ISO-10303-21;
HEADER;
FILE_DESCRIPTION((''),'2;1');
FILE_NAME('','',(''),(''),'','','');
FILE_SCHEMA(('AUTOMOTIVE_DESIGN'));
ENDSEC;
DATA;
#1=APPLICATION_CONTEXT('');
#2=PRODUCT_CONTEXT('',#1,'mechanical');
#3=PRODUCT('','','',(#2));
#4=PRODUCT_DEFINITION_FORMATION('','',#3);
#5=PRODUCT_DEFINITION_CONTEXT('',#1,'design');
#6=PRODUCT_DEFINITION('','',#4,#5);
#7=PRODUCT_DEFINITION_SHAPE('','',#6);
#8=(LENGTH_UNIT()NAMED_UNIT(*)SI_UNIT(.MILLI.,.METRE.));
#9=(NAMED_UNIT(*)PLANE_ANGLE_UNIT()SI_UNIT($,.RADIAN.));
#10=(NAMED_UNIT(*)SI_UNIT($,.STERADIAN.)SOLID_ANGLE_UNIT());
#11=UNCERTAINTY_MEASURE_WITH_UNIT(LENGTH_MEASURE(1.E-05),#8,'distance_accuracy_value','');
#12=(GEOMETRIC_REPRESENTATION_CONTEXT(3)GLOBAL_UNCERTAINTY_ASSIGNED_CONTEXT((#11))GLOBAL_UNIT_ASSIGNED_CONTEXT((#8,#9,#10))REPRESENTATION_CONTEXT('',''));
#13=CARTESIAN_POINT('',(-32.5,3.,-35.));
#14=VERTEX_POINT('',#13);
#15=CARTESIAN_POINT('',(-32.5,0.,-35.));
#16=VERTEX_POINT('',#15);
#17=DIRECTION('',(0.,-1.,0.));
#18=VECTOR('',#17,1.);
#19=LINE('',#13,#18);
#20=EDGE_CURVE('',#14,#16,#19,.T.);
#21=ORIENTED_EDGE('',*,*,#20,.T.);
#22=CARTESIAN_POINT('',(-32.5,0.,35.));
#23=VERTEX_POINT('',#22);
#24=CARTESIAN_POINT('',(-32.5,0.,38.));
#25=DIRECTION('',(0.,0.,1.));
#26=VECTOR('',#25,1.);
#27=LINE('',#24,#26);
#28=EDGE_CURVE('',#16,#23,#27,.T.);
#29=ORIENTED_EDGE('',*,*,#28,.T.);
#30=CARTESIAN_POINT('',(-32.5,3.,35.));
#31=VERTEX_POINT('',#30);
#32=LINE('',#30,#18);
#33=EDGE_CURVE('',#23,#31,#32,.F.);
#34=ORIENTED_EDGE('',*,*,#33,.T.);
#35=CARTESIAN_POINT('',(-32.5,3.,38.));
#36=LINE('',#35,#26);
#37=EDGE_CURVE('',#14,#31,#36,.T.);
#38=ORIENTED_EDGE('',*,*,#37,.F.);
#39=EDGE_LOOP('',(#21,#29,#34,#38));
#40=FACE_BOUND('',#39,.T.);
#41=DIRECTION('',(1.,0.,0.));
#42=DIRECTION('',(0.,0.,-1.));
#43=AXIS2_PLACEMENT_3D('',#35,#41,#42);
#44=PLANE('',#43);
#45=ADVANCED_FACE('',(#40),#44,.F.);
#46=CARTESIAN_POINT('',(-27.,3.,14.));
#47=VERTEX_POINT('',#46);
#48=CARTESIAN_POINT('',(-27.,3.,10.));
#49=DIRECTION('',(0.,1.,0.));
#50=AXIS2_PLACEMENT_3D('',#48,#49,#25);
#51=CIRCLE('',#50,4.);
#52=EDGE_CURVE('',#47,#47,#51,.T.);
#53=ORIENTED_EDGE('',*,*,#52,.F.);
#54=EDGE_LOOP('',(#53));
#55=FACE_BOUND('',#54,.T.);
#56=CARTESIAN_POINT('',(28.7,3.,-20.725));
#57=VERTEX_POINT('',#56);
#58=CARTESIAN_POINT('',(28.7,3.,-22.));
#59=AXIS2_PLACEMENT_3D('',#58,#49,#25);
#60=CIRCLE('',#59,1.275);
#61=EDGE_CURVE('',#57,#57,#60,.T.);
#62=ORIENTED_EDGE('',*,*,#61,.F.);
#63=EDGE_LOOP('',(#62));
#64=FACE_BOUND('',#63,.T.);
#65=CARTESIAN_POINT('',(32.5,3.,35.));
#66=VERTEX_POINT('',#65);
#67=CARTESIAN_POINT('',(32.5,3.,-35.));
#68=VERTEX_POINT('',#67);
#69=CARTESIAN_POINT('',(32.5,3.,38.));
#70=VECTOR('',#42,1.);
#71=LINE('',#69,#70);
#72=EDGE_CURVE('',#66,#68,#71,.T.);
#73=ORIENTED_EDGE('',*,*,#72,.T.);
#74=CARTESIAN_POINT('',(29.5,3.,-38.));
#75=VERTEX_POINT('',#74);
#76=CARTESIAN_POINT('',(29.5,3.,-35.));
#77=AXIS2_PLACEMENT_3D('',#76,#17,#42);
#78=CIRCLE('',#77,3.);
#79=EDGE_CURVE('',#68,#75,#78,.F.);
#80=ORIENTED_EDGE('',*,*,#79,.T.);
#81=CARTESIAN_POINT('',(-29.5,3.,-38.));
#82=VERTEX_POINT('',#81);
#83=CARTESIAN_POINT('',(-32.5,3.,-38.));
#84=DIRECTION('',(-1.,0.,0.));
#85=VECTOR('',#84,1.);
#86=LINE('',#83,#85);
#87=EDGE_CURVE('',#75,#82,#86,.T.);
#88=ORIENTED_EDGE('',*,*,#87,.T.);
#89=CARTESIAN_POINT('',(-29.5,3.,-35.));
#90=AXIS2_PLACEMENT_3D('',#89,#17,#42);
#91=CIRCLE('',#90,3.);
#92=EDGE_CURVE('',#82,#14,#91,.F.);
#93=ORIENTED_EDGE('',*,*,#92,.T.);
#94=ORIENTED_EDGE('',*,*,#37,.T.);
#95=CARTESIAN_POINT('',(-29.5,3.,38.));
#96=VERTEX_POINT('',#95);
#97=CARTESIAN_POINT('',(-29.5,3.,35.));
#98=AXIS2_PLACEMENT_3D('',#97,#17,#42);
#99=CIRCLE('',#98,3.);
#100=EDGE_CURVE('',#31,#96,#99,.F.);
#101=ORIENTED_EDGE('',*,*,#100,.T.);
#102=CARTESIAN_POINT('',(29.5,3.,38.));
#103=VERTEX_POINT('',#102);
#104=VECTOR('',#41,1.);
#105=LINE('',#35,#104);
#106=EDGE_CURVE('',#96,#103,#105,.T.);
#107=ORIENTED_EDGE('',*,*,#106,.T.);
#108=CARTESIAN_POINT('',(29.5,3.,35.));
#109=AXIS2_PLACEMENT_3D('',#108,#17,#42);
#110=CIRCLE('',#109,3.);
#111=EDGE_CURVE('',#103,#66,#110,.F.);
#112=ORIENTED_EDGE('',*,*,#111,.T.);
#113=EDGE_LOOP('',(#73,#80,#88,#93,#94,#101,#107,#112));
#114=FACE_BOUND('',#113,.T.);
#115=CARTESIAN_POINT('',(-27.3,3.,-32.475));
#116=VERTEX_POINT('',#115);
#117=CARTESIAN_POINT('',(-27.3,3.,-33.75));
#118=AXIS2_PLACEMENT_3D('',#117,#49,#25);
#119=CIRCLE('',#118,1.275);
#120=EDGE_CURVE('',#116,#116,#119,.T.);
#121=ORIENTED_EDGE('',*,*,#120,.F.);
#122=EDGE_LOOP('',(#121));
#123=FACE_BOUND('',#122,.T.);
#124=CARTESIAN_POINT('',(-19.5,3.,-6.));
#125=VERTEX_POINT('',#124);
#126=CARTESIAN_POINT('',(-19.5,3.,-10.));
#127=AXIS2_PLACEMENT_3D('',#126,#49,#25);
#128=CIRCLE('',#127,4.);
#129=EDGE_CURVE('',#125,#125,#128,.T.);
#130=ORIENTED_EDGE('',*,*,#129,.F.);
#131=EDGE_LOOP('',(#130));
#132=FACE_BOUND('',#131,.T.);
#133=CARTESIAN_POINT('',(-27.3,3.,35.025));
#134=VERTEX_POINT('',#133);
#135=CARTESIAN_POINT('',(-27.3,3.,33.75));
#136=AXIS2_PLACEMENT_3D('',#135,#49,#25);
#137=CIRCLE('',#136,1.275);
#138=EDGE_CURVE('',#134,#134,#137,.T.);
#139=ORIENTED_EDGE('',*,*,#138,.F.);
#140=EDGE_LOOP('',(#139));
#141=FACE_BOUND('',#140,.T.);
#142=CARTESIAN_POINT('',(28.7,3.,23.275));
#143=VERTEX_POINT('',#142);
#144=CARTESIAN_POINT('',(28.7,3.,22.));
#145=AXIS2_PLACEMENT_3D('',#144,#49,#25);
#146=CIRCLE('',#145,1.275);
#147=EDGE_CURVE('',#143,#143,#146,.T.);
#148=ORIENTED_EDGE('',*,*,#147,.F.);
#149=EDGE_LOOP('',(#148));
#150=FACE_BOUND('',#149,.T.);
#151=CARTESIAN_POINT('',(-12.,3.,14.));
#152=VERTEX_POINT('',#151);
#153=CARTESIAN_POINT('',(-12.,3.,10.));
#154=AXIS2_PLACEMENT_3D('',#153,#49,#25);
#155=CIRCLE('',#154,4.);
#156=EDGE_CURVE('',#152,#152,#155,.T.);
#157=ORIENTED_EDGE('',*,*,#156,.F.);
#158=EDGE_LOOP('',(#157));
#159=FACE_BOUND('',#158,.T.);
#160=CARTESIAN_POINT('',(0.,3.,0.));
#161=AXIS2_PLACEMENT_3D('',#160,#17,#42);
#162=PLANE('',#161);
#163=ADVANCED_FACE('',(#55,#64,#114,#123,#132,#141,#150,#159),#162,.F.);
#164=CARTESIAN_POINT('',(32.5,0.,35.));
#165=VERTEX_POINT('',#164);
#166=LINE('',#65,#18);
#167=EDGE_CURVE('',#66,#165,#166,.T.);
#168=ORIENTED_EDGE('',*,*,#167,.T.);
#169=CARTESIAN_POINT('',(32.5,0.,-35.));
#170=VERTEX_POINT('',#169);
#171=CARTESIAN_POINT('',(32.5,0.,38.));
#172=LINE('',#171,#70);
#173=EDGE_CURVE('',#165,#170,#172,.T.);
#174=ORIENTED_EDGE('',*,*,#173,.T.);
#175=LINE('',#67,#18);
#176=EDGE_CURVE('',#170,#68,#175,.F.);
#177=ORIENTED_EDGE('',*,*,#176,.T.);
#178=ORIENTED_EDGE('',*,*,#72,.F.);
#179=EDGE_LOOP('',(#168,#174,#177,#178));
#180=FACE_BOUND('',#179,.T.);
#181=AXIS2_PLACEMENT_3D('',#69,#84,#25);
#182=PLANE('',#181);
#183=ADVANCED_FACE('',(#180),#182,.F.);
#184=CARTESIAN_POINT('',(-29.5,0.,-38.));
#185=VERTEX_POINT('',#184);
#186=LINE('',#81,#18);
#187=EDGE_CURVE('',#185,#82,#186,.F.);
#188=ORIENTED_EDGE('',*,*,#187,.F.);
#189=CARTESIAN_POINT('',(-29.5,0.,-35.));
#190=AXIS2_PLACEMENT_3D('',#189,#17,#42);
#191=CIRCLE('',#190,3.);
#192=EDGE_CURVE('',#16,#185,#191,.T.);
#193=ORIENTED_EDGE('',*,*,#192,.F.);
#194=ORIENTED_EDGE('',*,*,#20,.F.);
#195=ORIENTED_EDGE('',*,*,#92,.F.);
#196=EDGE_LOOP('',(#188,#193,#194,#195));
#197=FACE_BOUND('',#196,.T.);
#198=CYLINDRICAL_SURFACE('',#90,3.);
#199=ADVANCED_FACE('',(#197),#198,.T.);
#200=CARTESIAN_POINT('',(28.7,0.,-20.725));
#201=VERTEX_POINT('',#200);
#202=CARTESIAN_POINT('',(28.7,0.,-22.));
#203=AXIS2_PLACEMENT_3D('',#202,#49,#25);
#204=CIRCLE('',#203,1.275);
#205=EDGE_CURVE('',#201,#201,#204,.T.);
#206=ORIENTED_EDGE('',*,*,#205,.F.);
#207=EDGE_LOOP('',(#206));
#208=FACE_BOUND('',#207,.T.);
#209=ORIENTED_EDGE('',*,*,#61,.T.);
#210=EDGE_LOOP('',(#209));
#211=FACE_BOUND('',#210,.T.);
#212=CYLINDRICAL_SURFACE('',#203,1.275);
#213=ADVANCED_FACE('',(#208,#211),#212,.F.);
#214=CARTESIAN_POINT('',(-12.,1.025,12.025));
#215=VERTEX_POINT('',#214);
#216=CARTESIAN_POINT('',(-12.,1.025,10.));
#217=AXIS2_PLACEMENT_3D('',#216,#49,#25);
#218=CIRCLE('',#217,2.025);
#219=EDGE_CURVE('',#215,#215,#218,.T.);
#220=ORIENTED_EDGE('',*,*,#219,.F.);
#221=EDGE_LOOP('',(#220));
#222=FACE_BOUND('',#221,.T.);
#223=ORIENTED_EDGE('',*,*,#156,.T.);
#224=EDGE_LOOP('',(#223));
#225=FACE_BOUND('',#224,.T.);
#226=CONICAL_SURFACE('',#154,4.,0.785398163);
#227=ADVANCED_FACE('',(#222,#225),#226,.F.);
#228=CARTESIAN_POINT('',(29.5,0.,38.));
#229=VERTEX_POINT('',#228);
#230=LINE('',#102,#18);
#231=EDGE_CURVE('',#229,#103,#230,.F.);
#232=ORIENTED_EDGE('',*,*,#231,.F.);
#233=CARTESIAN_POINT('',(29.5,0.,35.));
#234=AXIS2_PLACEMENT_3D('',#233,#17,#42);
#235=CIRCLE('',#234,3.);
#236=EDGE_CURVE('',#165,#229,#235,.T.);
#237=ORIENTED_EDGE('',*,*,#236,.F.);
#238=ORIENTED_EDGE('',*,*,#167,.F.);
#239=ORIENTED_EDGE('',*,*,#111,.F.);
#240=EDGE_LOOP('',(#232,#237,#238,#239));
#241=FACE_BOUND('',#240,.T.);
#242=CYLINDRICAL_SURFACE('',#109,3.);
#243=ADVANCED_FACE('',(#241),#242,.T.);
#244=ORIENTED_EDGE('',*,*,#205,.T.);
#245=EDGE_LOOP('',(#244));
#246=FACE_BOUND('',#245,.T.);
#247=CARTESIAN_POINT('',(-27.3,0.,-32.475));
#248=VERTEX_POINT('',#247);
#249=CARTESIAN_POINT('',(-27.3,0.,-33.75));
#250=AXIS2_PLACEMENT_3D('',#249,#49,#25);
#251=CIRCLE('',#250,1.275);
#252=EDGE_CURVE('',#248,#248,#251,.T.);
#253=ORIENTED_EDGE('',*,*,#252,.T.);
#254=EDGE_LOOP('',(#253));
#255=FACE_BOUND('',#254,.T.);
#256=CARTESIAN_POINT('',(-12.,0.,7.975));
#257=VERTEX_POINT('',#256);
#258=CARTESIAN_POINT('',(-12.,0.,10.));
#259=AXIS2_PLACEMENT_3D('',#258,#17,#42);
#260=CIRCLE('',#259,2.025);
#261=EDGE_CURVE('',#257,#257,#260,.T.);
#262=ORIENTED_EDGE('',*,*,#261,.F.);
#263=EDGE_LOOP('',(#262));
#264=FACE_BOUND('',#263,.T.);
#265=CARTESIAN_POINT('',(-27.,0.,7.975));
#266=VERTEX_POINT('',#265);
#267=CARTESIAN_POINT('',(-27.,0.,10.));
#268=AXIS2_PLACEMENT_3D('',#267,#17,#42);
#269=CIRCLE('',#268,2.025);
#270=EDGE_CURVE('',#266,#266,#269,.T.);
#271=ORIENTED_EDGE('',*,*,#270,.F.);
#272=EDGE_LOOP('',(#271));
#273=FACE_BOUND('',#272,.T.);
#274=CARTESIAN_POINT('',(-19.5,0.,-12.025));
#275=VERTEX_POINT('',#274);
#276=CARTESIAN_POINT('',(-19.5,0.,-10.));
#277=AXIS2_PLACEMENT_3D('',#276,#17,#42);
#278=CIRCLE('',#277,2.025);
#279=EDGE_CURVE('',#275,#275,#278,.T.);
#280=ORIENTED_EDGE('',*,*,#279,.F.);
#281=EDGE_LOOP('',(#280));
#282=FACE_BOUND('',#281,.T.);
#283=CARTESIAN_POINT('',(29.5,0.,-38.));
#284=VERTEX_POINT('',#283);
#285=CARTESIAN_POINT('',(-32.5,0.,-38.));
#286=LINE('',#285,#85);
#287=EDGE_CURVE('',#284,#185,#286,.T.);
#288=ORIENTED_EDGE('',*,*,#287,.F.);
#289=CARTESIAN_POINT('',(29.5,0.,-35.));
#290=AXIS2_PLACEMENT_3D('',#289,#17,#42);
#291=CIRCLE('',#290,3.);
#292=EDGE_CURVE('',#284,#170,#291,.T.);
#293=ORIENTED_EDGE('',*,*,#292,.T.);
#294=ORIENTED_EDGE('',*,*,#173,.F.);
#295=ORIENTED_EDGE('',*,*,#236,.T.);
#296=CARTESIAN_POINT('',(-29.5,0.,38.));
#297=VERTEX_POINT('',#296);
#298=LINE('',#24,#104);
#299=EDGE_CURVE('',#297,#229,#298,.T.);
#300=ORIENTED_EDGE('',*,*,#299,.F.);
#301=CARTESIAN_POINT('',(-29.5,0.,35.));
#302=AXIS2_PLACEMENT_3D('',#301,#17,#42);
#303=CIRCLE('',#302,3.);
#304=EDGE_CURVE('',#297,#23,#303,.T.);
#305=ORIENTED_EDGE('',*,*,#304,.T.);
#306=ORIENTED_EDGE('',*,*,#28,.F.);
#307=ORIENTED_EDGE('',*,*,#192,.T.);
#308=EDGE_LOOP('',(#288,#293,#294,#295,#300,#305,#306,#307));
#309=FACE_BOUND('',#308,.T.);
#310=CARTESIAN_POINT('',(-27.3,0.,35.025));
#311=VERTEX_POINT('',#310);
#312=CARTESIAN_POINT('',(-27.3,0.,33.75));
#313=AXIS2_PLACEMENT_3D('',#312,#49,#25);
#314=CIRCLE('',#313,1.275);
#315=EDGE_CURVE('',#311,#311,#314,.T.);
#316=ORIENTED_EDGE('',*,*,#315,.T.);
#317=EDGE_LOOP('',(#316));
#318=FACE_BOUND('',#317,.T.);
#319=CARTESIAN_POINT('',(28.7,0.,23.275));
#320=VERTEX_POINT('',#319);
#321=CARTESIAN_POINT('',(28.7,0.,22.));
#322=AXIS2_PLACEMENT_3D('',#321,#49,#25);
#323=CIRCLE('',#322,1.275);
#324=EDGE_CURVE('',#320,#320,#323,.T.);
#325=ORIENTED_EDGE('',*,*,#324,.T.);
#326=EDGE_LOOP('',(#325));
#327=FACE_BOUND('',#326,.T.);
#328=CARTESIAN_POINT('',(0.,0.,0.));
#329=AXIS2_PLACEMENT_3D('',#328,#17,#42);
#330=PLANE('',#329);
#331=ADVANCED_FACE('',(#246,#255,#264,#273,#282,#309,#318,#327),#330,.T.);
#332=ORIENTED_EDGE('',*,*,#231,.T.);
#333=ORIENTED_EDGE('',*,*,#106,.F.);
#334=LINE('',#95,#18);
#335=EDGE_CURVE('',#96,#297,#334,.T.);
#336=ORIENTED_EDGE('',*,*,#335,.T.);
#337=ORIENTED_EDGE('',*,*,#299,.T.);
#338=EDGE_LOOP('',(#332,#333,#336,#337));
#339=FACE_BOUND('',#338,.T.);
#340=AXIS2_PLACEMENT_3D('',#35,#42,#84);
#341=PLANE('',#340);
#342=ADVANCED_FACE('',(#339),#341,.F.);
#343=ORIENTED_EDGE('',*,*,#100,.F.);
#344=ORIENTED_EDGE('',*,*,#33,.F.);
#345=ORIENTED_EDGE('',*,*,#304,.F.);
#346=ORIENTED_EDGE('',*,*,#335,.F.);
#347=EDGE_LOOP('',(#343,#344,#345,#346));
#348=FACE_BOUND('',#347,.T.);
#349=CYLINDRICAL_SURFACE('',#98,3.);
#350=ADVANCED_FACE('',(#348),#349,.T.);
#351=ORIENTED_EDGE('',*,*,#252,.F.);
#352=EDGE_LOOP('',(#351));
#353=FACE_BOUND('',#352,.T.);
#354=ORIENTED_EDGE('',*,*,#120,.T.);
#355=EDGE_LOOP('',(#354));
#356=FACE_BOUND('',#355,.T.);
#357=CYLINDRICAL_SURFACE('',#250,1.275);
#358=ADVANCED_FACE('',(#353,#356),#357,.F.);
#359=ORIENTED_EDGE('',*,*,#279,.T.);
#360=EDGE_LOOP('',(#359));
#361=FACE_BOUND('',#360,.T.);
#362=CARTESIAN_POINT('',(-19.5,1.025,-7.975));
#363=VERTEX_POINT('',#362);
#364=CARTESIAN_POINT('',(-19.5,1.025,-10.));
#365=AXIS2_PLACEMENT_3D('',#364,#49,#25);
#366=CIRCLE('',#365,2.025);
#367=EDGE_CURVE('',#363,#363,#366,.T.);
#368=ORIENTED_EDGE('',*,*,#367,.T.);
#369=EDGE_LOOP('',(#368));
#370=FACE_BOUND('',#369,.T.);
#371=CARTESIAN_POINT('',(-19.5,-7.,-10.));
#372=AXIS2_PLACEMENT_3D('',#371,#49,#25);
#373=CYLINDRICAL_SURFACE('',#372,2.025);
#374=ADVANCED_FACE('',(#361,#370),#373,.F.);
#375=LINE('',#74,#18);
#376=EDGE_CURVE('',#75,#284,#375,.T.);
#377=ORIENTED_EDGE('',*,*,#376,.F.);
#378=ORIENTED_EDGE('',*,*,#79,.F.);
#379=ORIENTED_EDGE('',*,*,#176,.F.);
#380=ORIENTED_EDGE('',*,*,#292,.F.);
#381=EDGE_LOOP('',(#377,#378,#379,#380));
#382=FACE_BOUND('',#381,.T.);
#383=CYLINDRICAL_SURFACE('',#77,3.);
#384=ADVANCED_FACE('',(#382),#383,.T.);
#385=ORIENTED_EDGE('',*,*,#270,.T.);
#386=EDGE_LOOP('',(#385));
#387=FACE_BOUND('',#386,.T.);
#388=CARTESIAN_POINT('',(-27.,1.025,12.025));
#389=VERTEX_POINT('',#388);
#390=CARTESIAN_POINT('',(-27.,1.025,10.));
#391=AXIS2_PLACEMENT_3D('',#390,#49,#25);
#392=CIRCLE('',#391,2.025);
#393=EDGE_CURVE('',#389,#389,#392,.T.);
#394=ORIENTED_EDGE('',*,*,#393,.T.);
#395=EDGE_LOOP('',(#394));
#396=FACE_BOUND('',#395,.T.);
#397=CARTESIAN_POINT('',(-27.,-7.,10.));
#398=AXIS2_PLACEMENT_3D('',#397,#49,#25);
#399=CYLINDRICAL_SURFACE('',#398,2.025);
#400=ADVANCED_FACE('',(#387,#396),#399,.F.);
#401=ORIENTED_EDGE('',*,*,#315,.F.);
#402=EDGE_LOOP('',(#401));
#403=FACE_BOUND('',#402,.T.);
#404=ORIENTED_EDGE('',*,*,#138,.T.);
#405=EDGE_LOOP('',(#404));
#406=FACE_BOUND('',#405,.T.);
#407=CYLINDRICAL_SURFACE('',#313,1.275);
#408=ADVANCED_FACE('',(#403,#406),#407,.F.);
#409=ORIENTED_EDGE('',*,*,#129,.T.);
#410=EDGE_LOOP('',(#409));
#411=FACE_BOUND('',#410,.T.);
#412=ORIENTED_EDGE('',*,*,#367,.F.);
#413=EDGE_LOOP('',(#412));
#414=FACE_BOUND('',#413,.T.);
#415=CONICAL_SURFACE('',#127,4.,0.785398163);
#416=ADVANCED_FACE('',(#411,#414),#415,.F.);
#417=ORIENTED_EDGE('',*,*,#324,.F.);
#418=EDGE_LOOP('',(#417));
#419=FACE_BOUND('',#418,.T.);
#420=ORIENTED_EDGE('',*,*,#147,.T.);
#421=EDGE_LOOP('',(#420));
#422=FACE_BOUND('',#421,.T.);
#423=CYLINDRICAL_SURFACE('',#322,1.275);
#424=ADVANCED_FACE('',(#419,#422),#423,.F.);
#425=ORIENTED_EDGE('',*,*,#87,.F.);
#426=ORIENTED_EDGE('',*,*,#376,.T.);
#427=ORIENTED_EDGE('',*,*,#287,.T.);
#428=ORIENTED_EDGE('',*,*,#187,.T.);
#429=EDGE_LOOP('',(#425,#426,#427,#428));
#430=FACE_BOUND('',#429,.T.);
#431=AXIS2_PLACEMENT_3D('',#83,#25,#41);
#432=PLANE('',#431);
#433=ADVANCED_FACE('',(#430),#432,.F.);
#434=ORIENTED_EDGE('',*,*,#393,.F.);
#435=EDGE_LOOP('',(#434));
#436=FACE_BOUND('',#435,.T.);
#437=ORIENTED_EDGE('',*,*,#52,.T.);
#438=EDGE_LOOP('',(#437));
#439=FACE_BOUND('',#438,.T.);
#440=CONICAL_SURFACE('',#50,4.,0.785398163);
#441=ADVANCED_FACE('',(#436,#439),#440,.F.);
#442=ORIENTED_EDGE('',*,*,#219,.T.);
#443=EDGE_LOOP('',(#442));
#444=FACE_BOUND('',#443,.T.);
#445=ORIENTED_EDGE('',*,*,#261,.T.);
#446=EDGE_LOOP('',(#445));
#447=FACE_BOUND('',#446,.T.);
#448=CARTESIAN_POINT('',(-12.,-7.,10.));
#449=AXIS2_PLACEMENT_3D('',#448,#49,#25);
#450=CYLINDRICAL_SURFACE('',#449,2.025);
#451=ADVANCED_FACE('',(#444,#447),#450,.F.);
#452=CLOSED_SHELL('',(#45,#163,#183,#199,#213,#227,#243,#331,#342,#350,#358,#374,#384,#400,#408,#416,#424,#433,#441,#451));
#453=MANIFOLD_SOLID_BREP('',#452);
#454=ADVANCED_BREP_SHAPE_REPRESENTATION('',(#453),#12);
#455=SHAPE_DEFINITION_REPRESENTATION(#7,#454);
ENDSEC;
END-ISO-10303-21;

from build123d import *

# Parameters (mm, degrees)
SKETCH_1_W               = 65
SKETCH_1_H               = 76
EXTRUDE_1_DEPTH          = 3
FILLET_1_R               = 3
SKETCH_3_R               = 1.275
CUT_EXTRUDE_1_DEPTH      = 1
CUT_EXTRUDE_1_DEPTH_BACK = 4
SKETCH_6_R               = 2.025
CUT_EXTRUDE_3_DEPTH      = 10
HOLE_WIZARD_1_AT_2_COUNT = 2
HOLE_WIZARD_1_AT_2_PITCH = 15
HOLE_WIZARD_1_AT_3_COUNT = 2
HOLE_WIZARD_1_AT_3_PITCH = 21.360009363


with BuildPart() as part:
    # 草图1 → 凸台-拉伸1 (new body)
    with BuildSketch(Plane(origin=(0, 0, 0), x_dir=(1, 0, 0), z_dir=(0, 1, 0))):
        Rectangle(SKETCH_1_W, SKETCH_1_H)
    extrude(amount=EXTRUDE_1_DEPTH)

    # 圆角1
    fillet_1_edges = [part.edges().sort_by_distance(p)[0] for p in [
        (32.5, 1.5, 38),
        (-32.5, 1.5, 38),
        (-32.5, 1.5, -38),
        (32.5, 1.5, -38),
    ]]
    fillet(fillet_1_edges, radius=FILLET_1_R)

    # 草图3 → 切除-拉伸1 (cut, two sides)
    with BuildSketch(Plane(origin=(0, 3, 0), x_dir=(1, 0, 0), z_dir=(0, 1, 0))) as cut_extrude_1_sk:
        with Locations((28.7, -22)):
            Circle(SKETCH_3_R)
        with Locations((28.7, 22)):
            Circle(SKETCH_3_R)
        with Locations((-27.3, 33.75)):
            Circle(SKETCH_3_R)
        with Locations((-27.3, -33.75)):
            Circle(SKETCH_3_R)
    extrude(amount=CUT_EXTRUDE_1_DEPTH, mode=Mode.SUBTRACT)
    extrude(cut_extrude_1_sk.sketch, amount=-CUT_EXTRUDE_1_DEPTH_BACK, mode=Mode.SUBTRACT)

    # 草图6 → 切除-拉伸3 (cut)
    with BuildSketch(Plane(origin=(0, 3, 0), x_dir=(1, 0, 0), z_dir=(0, 1, 0))):
        with Locations((-27, -10)):
            Circle(SKETCH_6_R)
        with Locations((-12, -10)):
            Circle(SKETCH_6_R)
        with Locations((-19.5, 10)):
            Circle(SKETCH_6_R)
    extrude(amount=-CUT_EXTRUDE_3_DEPTH, mode=Mode.SUBTRACT)

    # 草图7 → 孔1 (revolve, cut)
    with BuildSketch(Plane(origin=(-12, 3, 10), x_dir=(0, 0, 1), z_dir=(1, 0, 0))):
        Polygon((0, 0), (0, 3), (2, 3), (2, 2), (4, 0), align=None)
    hole_wizard_1 = revolve(axis=Axis((-12, 9.445314094, 10), (0, -1, 0)), mode=Mode.SUBTRACT)

    # 孔1 at 2: 孔1 ×2
    with Locations(*[(-i * HOLE_WIZARD_1_AT_2_PITCH, 0, 0) for i in range(1, HOLE_WIZARD_1_AT_2_COUNT)]):
        add(hole_wizard_1, mode=Mode.SUBTRACT)

    # 孔1 at 3: 孔1 ×2
    with Locations(*[Vector(-0.351123442, 0, -0.936329178) * (i * HOLE_WIZARD_1_AT_3_PITCH) for i in range(1, HOLE_WIZARD_1_AT_3_COUNT)]):
        add(hole_wizard_1, mode=Mode.SUBTRACT)


solid = part.part
